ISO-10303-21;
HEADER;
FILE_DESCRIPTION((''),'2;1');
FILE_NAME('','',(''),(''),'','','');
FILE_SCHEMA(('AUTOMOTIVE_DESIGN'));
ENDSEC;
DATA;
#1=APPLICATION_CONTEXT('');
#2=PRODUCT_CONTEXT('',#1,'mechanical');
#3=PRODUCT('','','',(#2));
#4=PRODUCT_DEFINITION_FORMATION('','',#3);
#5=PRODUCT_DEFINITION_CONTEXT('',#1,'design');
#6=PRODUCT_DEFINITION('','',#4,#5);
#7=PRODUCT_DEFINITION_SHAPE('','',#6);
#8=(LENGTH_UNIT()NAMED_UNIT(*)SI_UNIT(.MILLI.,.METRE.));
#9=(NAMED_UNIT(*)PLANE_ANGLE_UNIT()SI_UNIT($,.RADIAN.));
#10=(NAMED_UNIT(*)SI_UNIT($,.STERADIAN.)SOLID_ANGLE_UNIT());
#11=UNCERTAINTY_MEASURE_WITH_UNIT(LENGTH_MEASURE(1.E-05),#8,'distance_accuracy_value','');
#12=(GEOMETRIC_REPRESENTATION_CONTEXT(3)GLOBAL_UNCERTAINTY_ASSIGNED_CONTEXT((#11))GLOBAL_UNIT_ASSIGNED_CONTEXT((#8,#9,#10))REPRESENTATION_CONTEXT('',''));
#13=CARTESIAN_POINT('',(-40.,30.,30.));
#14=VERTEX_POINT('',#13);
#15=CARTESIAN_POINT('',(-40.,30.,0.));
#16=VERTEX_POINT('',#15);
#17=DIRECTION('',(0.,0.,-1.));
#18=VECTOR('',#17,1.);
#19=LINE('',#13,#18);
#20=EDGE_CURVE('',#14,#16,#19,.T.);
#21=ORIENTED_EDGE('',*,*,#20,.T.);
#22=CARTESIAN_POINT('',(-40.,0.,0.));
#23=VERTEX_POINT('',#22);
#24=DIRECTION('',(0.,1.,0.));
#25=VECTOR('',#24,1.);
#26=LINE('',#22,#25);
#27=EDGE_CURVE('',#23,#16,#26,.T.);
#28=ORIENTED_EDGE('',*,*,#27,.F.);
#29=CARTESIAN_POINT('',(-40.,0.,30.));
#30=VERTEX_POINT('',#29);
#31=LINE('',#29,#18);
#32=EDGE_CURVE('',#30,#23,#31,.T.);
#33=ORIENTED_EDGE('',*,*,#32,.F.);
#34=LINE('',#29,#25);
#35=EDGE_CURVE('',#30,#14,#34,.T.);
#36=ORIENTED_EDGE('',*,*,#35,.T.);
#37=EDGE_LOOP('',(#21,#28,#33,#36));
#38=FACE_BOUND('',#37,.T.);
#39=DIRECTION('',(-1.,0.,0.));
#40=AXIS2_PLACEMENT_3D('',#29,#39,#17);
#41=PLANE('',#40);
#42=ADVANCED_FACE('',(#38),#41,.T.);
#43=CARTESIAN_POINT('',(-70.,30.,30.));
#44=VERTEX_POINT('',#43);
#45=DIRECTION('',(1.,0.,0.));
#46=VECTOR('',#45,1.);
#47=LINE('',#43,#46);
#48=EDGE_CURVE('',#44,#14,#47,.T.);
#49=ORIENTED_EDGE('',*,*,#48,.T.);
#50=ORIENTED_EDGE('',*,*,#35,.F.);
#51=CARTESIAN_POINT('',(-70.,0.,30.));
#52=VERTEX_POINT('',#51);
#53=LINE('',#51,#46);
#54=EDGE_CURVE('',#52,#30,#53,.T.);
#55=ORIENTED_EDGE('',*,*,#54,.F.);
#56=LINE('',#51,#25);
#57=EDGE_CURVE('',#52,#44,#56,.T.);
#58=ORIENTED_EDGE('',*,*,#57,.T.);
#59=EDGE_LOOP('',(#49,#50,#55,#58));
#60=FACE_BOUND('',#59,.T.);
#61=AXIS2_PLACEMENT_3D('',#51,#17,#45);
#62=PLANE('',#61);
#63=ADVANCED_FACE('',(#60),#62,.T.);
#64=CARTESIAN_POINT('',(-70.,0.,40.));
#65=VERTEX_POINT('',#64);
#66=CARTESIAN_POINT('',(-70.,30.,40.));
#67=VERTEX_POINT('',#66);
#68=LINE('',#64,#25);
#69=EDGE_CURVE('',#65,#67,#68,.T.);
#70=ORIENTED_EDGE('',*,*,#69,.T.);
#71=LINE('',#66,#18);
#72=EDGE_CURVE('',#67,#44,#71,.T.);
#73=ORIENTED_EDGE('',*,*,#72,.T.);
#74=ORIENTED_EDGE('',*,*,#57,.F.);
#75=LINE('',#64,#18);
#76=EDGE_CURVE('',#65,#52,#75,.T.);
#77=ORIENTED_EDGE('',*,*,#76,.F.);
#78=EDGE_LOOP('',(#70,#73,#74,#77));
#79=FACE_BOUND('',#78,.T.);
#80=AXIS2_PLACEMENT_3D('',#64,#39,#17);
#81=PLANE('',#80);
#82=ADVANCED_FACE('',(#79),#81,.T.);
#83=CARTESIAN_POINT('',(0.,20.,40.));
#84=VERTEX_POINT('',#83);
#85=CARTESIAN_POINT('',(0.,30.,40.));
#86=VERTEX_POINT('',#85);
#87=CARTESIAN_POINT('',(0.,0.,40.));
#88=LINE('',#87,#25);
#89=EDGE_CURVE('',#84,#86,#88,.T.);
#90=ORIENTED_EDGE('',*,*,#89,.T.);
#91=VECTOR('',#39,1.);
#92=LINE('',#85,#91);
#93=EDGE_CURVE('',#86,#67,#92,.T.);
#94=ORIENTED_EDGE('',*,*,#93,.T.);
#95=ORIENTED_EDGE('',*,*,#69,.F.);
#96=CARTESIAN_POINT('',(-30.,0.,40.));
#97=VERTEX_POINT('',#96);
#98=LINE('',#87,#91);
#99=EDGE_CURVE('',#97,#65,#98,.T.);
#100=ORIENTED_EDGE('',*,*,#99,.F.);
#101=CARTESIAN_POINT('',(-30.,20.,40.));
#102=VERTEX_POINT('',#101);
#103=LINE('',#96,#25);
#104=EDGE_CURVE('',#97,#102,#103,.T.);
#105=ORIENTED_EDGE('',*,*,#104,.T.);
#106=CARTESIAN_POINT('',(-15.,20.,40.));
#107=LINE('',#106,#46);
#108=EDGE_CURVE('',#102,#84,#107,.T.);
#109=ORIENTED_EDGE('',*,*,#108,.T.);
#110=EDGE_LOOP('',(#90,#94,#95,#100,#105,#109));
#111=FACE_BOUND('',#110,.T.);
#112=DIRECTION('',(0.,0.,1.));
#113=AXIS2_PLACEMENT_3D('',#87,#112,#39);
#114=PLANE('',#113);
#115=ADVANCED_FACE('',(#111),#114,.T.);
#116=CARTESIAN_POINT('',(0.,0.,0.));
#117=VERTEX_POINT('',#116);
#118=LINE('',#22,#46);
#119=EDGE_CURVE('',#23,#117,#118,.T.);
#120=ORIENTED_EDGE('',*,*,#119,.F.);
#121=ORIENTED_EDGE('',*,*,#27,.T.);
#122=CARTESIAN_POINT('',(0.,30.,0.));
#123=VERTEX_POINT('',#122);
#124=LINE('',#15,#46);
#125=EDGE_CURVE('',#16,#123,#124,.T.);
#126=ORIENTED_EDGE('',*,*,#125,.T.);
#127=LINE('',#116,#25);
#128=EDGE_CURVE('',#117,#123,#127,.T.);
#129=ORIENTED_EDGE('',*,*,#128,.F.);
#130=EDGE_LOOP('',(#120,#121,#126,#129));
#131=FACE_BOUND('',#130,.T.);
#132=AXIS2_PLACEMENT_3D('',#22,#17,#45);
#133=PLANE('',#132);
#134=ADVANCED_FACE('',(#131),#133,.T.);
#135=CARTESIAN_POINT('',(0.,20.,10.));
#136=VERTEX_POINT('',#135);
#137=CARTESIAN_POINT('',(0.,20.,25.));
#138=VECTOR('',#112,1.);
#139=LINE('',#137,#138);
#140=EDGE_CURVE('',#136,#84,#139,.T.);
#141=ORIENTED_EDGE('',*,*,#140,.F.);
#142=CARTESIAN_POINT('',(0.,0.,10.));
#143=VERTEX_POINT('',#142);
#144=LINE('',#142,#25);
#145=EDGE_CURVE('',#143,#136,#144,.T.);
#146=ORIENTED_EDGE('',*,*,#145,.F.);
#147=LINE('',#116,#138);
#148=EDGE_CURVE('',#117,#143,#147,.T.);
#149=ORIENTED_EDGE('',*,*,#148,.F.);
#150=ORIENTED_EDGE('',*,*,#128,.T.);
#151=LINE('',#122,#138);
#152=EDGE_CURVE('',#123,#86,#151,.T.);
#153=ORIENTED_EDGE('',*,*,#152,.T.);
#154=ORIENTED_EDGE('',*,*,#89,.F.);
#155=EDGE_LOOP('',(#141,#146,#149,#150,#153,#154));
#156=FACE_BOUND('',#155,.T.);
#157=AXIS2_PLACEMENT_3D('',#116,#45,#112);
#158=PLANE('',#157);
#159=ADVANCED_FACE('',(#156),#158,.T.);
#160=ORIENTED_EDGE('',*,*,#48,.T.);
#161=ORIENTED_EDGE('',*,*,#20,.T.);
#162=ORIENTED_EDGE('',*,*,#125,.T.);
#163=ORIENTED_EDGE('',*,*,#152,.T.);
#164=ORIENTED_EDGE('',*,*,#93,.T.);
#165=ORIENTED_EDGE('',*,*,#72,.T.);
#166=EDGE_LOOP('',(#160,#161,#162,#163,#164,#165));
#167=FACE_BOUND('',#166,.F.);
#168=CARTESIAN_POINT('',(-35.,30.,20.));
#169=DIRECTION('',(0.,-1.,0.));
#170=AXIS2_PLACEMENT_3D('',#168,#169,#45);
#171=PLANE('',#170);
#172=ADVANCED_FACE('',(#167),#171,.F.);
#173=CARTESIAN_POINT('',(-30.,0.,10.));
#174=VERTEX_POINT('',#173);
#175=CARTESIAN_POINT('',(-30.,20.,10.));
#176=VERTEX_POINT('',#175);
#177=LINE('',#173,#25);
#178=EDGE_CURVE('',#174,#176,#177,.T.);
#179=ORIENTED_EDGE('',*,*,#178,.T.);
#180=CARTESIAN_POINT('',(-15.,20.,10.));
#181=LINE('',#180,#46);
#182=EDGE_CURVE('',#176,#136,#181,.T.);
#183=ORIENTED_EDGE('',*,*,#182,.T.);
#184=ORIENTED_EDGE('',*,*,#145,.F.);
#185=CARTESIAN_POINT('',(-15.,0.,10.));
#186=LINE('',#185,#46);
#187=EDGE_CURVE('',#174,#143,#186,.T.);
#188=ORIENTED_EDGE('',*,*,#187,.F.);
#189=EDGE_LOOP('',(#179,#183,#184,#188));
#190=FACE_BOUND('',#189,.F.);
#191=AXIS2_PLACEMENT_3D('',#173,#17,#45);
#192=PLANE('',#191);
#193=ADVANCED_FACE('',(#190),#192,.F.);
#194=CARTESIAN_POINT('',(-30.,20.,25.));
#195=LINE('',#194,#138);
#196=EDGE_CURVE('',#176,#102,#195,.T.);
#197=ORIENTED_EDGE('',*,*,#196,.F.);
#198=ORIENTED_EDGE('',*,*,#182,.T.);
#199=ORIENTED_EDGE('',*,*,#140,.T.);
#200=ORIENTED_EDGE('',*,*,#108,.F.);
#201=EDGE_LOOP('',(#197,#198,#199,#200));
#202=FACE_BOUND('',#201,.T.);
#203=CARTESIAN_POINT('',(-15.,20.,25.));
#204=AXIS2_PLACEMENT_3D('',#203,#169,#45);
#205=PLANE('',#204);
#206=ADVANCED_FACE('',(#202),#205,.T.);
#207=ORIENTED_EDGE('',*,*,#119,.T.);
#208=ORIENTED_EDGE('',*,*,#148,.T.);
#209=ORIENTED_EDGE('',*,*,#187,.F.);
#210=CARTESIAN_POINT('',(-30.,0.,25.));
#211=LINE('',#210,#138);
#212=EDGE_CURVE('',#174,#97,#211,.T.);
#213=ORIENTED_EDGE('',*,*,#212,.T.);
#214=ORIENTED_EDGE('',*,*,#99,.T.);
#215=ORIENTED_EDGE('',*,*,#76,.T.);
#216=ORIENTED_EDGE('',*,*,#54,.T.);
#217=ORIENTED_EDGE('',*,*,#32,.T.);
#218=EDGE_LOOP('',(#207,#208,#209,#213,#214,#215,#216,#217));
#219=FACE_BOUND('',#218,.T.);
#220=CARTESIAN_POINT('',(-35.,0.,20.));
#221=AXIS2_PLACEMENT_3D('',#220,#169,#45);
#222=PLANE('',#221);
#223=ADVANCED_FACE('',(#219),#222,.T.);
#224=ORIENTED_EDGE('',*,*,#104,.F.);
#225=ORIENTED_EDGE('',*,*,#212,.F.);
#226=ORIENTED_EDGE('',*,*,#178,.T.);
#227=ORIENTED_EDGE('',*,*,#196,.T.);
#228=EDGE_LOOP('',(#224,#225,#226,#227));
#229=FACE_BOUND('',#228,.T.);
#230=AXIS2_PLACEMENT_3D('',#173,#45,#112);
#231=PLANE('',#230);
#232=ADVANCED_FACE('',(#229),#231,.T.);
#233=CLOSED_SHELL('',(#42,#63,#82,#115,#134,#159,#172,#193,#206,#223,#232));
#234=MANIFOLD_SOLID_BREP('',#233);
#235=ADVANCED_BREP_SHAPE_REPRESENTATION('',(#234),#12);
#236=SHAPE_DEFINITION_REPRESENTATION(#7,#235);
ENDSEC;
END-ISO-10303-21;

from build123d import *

# Parameters (mm, degrees)
F0_W     = 30
F0_H     = 30
F1_DEPTH = 30
F2_DEPTH = 20


with BuildPart() as f1:
    # F0 (on Front) → F1 (new body)
    with BuildSketch(Plane.XZ):
        Polygon((-30, 40), (-70, 40), (-70, 30), (-40, 30), (-40, 0), (0, 0), (0, 10), (-30, 10), align=None)
        with Locations((-15, 25)):
            Rectangle(F0_W, F0_H)
    extrude(amount=-F1_DEPTH)

    # F0 (on Front) → F2 (cut)
    with BuildSketch(Plane.XZ):
        with Locations((-15, 25)):
            Rectangle(F0_W, F0_H)
    extrude(amount=-F2_DEPTH, mode=Mode.SUBTRACT)


solid = f1.part
